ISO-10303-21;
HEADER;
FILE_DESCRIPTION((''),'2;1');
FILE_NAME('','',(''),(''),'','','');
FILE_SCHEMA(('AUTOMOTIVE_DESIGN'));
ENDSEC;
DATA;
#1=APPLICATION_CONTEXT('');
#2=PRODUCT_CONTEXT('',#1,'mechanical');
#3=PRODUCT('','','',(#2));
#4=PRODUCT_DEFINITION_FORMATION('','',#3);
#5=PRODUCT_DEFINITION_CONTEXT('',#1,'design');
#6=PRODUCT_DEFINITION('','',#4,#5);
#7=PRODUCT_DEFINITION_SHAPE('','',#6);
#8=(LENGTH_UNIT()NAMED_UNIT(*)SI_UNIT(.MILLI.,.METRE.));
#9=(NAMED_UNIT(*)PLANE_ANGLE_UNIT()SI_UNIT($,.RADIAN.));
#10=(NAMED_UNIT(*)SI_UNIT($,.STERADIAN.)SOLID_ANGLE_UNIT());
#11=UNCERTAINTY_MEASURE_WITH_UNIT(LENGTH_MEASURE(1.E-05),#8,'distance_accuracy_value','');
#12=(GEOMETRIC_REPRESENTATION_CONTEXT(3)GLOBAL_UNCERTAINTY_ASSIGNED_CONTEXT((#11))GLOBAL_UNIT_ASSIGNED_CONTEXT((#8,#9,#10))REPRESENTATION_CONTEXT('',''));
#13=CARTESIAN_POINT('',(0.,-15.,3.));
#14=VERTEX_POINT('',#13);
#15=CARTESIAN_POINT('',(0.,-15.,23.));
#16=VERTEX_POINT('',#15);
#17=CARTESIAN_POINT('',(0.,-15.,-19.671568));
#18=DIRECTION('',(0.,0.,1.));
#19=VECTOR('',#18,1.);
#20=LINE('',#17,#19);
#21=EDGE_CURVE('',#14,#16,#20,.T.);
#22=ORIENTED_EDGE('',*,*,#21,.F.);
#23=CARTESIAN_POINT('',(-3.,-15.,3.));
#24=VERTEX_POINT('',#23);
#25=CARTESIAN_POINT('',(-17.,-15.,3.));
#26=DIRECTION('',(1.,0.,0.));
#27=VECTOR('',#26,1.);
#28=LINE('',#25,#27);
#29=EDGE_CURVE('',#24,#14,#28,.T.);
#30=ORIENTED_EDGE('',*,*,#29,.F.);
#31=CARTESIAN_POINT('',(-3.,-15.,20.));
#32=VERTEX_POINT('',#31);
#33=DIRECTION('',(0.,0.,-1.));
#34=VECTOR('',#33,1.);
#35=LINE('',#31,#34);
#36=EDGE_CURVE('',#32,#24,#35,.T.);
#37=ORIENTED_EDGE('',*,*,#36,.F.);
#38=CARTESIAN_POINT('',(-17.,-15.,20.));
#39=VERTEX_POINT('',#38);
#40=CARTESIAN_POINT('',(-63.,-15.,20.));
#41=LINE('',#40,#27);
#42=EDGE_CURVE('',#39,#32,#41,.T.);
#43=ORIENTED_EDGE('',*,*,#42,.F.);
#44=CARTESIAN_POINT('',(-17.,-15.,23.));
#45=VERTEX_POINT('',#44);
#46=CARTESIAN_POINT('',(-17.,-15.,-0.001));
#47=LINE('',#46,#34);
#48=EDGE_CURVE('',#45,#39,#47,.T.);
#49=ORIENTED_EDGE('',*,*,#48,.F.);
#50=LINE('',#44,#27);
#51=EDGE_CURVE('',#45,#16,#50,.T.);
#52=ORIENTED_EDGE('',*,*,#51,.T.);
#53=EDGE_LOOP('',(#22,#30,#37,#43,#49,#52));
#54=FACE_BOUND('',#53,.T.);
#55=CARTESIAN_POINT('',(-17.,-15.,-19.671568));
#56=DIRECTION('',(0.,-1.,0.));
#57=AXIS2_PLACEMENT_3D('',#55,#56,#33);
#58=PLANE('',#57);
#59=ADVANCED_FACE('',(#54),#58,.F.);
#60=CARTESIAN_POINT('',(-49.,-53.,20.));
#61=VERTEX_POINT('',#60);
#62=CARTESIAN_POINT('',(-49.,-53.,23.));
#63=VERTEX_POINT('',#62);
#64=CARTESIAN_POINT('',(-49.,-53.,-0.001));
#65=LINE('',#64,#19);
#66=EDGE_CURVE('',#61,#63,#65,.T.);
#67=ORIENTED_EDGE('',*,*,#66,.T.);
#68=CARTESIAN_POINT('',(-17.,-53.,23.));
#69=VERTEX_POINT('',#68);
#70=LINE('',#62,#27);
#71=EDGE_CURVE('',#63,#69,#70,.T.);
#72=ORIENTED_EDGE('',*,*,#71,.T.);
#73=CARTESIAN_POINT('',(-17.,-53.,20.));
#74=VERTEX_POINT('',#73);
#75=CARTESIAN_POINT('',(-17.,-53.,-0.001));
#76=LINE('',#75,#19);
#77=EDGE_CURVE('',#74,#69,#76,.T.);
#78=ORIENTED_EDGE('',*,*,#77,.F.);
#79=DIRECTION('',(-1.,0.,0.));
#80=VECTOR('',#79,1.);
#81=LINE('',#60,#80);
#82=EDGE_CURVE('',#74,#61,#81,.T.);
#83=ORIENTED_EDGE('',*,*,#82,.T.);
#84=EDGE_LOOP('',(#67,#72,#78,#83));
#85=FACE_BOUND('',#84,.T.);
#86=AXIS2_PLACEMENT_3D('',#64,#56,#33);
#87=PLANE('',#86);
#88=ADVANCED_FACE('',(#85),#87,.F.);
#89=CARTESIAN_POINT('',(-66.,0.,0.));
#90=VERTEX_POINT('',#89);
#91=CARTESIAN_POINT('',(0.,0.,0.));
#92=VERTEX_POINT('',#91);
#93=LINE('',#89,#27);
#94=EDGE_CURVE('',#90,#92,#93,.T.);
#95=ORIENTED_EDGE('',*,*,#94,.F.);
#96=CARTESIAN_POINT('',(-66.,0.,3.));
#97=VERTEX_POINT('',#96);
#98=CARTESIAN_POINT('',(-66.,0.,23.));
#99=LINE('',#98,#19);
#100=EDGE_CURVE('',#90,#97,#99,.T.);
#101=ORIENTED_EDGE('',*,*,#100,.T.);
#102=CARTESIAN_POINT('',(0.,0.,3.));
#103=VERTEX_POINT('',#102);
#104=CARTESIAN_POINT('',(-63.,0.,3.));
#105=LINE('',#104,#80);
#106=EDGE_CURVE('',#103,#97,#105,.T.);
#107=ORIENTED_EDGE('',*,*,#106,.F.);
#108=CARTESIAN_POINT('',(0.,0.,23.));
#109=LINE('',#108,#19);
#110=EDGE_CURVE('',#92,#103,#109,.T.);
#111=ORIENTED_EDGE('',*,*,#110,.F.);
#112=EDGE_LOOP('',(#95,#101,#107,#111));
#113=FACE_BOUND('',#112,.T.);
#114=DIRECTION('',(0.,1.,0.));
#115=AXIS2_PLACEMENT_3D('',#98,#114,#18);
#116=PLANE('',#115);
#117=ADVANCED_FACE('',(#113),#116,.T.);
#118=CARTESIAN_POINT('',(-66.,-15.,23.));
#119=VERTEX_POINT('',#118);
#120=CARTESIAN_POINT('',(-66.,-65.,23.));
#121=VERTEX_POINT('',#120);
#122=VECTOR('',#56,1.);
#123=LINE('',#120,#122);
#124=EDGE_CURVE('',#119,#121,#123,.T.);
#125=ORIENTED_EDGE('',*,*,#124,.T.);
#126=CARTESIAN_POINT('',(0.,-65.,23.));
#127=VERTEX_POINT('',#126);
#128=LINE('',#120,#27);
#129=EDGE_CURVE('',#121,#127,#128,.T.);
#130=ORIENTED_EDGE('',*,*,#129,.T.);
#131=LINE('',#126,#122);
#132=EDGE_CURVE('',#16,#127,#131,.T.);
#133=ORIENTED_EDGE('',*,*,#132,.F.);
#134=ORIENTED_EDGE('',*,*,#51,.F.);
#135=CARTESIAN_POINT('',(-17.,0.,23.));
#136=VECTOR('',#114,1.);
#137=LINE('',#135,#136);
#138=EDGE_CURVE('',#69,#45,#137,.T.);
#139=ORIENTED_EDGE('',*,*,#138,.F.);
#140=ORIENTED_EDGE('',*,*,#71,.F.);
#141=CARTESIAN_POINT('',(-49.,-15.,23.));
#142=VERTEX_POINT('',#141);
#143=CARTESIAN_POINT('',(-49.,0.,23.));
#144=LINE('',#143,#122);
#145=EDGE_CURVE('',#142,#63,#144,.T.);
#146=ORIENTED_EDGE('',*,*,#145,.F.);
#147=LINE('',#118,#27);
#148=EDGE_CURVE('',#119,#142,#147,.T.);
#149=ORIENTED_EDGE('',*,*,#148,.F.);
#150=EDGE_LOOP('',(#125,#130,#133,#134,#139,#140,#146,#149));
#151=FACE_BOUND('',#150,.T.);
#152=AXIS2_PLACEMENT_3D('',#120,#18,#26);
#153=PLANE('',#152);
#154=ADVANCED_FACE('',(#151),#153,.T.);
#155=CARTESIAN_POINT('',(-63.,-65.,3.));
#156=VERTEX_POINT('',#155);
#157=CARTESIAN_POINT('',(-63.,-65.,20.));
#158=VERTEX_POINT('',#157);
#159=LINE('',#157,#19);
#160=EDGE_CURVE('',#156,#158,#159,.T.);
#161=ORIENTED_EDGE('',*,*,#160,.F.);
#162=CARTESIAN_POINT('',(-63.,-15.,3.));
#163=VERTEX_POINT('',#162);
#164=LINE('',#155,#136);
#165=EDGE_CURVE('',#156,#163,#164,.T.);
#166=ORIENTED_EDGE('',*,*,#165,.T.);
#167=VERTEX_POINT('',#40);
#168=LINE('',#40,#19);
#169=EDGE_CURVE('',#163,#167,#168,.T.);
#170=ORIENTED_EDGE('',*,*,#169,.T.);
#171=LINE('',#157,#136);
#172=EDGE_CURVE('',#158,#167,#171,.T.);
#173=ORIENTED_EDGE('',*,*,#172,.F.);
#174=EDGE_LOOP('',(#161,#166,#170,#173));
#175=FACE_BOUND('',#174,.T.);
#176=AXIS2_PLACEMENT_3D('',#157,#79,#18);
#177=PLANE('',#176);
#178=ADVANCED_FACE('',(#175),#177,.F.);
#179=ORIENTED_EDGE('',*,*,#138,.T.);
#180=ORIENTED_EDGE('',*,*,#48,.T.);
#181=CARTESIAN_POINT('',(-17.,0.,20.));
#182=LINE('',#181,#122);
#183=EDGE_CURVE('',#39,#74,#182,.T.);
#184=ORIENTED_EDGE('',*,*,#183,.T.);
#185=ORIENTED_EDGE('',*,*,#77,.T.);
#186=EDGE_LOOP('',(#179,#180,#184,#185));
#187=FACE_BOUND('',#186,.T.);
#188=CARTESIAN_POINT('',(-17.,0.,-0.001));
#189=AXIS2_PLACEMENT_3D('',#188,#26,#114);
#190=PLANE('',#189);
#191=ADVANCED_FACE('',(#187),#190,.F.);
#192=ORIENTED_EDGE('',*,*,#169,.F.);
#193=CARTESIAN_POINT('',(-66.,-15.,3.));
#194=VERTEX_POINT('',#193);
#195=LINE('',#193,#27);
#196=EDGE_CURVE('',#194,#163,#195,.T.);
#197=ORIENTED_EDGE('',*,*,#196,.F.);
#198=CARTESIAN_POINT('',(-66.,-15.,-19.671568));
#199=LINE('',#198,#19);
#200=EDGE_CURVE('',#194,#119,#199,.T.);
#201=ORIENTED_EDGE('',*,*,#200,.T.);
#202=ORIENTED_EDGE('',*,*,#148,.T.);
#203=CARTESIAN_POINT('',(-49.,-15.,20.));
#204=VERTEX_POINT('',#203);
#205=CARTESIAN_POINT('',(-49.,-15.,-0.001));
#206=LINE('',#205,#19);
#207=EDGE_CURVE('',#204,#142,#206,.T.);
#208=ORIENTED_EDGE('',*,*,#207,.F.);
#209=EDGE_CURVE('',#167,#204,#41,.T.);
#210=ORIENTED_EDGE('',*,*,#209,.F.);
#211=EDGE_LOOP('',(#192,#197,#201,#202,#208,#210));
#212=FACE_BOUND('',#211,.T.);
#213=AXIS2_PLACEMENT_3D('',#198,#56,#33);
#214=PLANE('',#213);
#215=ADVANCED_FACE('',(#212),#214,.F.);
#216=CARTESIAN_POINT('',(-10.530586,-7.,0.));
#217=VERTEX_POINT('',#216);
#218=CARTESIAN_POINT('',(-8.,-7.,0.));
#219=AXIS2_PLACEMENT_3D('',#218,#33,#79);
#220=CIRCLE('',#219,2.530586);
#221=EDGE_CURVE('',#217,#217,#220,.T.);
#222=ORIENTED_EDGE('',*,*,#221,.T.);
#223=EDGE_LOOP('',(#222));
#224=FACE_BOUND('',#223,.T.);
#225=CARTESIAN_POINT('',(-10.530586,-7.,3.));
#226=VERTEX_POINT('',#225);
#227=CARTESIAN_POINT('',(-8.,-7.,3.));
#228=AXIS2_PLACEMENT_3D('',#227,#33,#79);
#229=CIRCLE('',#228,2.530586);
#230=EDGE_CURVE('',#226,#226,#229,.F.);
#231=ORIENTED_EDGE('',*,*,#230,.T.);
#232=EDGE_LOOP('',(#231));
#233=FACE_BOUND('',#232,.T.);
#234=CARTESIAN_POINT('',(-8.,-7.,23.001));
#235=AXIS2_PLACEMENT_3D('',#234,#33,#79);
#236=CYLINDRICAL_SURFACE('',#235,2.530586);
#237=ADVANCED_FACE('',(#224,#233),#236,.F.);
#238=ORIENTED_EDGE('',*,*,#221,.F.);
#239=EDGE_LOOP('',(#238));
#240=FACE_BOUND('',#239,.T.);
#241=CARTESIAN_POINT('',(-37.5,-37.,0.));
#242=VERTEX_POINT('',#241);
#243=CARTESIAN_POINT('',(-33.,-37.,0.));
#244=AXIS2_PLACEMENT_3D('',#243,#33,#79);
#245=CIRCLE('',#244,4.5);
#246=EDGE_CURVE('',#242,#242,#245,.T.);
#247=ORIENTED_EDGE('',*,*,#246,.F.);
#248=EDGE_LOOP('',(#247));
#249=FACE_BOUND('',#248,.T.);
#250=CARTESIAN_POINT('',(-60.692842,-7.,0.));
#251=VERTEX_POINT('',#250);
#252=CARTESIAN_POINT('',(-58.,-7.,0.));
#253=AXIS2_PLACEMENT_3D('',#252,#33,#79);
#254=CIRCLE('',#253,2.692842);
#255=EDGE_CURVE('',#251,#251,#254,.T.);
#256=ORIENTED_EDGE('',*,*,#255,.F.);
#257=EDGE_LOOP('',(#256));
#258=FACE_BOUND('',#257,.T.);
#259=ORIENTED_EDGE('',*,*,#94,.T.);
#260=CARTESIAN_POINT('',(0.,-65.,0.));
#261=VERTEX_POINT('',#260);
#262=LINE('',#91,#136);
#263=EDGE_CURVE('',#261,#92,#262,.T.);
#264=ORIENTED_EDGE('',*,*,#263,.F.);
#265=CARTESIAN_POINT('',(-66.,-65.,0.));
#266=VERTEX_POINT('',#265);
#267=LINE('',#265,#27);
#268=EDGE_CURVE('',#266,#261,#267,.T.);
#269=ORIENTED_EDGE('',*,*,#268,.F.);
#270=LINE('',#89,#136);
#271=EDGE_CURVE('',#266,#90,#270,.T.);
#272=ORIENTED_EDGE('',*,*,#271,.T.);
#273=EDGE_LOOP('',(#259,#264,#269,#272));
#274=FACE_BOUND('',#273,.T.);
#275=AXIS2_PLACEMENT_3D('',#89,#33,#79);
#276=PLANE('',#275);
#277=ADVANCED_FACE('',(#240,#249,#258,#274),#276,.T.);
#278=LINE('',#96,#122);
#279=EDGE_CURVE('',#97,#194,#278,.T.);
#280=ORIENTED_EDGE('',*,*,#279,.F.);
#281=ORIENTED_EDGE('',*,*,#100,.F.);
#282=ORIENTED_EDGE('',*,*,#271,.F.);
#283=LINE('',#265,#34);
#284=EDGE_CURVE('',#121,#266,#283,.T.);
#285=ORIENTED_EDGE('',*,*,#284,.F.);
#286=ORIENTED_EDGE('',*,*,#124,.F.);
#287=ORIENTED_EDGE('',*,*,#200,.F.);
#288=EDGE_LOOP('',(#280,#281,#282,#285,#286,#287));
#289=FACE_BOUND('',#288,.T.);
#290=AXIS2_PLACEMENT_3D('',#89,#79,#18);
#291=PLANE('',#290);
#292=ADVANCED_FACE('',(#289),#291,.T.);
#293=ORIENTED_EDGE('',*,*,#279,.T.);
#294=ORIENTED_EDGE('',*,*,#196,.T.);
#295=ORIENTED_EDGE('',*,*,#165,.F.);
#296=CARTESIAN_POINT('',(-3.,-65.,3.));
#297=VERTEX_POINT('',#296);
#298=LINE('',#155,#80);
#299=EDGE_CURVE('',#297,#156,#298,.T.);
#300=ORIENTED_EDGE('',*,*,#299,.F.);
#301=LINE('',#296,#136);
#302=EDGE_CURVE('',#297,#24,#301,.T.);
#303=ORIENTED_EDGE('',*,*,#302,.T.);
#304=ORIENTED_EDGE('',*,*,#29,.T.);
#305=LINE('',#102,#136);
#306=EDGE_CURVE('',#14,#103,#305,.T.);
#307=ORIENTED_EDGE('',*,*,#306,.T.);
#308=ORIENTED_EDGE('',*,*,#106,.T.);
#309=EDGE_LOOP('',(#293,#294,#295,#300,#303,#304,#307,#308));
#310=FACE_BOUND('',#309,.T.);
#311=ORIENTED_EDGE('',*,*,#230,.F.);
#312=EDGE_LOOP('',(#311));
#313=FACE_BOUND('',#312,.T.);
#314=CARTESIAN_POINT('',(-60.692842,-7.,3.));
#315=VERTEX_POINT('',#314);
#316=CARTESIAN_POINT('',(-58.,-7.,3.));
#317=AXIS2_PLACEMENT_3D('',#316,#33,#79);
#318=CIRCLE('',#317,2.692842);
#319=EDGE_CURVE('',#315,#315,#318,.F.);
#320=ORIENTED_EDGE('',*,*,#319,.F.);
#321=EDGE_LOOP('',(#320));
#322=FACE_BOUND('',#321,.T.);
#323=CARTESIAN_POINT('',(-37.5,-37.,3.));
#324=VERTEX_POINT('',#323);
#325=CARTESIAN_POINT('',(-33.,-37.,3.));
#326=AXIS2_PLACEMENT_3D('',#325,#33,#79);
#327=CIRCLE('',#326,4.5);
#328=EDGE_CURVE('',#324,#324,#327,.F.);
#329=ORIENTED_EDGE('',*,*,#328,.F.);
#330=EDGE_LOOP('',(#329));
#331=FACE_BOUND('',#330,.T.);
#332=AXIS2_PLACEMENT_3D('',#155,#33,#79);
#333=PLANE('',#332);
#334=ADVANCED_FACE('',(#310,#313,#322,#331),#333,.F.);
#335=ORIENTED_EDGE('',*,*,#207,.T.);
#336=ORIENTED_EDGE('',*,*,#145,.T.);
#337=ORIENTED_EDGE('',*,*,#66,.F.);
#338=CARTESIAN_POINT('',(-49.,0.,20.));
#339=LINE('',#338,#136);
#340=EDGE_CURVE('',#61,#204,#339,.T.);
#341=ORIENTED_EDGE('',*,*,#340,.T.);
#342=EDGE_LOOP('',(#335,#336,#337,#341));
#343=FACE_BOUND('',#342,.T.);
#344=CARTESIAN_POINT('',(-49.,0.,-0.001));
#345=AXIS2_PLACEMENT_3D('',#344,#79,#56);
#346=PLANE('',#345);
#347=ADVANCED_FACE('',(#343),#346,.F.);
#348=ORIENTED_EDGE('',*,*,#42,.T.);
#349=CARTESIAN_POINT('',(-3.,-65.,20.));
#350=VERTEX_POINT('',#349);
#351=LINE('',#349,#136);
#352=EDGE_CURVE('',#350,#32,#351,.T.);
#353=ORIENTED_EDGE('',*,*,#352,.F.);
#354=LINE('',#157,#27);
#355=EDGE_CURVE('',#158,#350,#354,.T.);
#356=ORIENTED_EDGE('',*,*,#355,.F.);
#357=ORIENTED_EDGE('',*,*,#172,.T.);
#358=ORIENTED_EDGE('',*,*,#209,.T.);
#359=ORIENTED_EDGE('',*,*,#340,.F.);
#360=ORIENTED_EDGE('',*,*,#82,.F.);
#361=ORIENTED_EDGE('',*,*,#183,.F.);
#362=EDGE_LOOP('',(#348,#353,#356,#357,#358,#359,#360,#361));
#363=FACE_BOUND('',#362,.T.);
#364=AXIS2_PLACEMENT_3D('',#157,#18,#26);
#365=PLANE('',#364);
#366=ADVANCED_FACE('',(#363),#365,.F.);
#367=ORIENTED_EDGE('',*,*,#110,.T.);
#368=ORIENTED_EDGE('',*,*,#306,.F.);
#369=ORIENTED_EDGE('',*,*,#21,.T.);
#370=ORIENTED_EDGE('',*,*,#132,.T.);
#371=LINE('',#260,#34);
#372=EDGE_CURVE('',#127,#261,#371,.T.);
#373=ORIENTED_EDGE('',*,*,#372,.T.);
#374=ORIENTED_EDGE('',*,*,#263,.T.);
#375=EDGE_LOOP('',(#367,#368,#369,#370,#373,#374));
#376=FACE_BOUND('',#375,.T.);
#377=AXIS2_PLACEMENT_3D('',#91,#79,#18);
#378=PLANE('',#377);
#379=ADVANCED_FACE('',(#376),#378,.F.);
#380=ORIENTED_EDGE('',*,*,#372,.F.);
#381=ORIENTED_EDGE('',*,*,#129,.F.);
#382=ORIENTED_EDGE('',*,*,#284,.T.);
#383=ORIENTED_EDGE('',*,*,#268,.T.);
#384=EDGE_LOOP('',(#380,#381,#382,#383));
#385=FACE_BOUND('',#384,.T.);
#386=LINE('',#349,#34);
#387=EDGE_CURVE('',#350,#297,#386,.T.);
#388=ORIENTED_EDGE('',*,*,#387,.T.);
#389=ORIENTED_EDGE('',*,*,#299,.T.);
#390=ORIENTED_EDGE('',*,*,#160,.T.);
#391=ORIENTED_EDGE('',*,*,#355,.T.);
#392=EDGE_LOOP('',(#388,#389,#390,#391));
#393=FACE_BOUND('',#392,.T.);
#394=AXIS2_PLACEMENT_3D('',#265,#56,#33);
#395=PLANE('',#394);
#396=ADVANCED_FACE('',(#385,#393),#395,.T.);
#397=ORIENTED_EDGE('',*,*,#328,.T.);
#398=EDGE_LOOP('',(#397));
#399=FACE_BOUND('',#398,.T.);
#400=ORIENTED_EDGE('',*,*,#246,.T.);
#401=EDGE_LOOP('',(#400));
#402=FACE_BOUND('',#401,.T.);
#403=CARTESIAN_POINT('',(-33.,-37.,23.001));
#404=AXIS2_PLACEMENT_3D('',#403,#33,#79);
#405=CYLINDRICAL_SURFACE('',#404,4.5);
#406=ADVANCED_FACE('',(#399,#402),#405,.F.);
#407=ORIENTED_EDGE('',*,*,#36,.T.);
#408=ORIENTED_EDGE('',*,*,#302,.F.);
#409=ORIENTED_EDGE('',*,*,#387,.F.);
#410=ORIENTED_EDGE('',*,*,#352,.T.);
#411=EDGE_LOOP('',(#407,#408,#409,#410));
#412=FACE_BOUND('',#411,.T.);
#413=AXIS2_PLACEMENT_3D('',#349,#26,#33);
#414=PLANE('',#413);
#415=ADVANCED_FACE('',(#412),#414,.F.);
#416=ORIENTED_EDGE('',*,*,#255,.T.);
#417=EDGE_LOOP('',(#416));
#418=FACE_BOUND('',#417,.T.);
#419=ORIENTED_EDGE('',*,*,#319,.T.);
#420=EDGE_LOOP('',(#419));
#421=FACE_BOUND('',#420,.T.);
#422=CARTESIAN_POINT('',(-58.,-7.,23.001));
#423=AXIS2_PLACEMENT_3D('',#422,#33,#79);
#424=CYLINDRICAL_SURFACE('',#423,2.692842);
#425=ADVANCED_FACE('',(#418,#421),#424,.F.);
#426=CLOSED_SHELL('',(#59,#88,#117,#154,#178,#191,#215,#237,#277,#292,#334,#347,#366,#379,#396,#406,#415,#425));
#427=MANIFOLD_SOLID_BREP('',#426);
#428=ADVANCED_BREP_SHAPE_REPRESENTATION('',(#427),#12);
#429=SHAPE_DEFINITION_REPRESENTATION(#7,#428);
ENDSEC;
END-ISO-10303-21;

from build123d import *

# Parameters (mm, degrees)
SKETCH1_W           = 23
SKETCH1_H           = 65
BOSS_EXTRUDE1_DEPTH = 66
SKETCH2_W           = 60
SKETCH2_H           = 17
CUT_EXTRUDE1_DEPTH  = 66
CUT_EXTRUDE2_REACH  = 25
SKETCH3_W           = 32
SKETCH3_H           = 53
CUT_EXTRUDE3_REACH  = 25
SKETCH5_R           = 4.5
SKETCH5_R_2         = 2.530586218
SKETCH5_R_3         = 2.69284222
SKETCH6_W           = 17
SKETCH6_H           = 15
CUT_EXTRUDE4_DEPTH  = 20


with BuildPart() as part:
    # Sketch1 → Boss-Extrude1 (new body)
    with BuildSketch(Plane(origin=(0, 0, 0), x_dir=(0, 0, -1), z_dir=(1, 0, 0))):
        with Locations((-11.5, -32.5)):
            Rectangle(SKETCH1_W, SKETCH1_H)
    extrude(amount=-BOSS_EXTRUDE1_DEPTH)

    # Sketch2 → Cut-Extrude1 (cut, through all)
    with BuildSketch(Plane(origin=(0, 0, 0), x_dir=(1, 0, 0), z_dir=(0, 1, 0))):
        with Locations((-33, -11.5)):
            Rectangle(SKETCH2_W, SKETCH2_H)
    extrude(amount=-CUT_EXTRUDE1_DEPTH, mode=Mode.SUBTRACT)

    # Sketch3 → Cut-Extrude2 (cut, up to next)
    with BuildSketch(Plane.XY.offset(23), mode=Mode.PRIVATE) as cut_extrude2_sk1:
        with Locations((-33, -26.5)):
            Rectangle(SKETCH3_W, SKETCH3_H)
    cut_extrude2_tool1 = extrude(cut_extrude2_sk1.sketch, amount=-CUT_EXTRUDE2_REACH, mode=Mode.PRIVATE) & part.part
    add(cut_extrude2_tool1.solids().sort_by_distance((-33, -26.5, 23))[0], mode=Mode.SUBTRACT)

    # Sketch5 → Cut-Extrude3 (cut, up to next)
    with BuildSketch(Plane(origin=(0, 0, 0), x_dir=(-1, 0, 0), z_dir=(0, 0, -1)), mode=Mode.PRIVATE) as cut_extrude3_sk1:
        with Locations((33, -37)):
            Circle(SKETCH5_R)
    cut_extrude3_tool1 = extrude(cut_extrude3_sk1.sketch, amount=-CUT_EXTRUDE3_REACH, mode=Mode.PRIVATE) & part.part
    add(cut_extrude3_tool1.solids().sort_by_distance((-33, -37, 0))[0], mode=Mode.SUBTRACT)
    # Sketch5 → Cut-Extrude3 (cut, up to next)
    with BuildSketch(Plane(origin=(0, 0, 0), x_dir=(-1, 0, 0), z_dir=(0, 0, -1)), mode=Mode.PRIVATE) as cut_extrude3_sk2:
        with Locations((8, -7)):
            Circle(SKETCH5_R_2)
    cut_extrude3_tool2 = extrude(cut_extrude3_sk2.sketch, amount=-CUT_EXTRUDE3_REACH, mode=Mode.PRIVATE) & part.part
    add(cut_extrude3_tool2.solids().sort_by_distance((-8, -7, 0))[0], mode=Mode.SUBTRACT)
    # Sketch5 → Cut-Extrude3 (cut, up to next)
    with BuildSketch(Plane(origin=(0, 0, 0), x_dir=(-1, 0, 0), z_dir=(0, 0, -1)), mode=Mode.PRIVATE) as cut_extrude3_sk3:
        with Locations((58, -7)):
            Circle(SKETCH5_R_3)
    cut_extrude3_tool3 = extrude(cut_extrude3_sk3.sketch, amount=-CUT_EXTRUDE3_REACH, mode=Mode.PRIVATE) & part.part
    add(cut_extrude3_tool3.solids().sort_by_distance((-58, -7, 0))[0], mode=Mode.SUBTRACT)

    # Sketch6 → Cut-Extrude4 (cut)
    with BuildSketch(Plane.XY.offset(23)):
        with Locations((-57.5, -7.5)):
            Rectangle(SKETCH6_W, SKETCH6_H)
        with Locations((-8.5, -7.5)):
            Rectangle(SKETCH6_W, SKETCH6_H)
    extrude(amount=-CUT_EXTRUDE4_DEPTH, mode=Mode.SUBTRACT)


solid = part.part
